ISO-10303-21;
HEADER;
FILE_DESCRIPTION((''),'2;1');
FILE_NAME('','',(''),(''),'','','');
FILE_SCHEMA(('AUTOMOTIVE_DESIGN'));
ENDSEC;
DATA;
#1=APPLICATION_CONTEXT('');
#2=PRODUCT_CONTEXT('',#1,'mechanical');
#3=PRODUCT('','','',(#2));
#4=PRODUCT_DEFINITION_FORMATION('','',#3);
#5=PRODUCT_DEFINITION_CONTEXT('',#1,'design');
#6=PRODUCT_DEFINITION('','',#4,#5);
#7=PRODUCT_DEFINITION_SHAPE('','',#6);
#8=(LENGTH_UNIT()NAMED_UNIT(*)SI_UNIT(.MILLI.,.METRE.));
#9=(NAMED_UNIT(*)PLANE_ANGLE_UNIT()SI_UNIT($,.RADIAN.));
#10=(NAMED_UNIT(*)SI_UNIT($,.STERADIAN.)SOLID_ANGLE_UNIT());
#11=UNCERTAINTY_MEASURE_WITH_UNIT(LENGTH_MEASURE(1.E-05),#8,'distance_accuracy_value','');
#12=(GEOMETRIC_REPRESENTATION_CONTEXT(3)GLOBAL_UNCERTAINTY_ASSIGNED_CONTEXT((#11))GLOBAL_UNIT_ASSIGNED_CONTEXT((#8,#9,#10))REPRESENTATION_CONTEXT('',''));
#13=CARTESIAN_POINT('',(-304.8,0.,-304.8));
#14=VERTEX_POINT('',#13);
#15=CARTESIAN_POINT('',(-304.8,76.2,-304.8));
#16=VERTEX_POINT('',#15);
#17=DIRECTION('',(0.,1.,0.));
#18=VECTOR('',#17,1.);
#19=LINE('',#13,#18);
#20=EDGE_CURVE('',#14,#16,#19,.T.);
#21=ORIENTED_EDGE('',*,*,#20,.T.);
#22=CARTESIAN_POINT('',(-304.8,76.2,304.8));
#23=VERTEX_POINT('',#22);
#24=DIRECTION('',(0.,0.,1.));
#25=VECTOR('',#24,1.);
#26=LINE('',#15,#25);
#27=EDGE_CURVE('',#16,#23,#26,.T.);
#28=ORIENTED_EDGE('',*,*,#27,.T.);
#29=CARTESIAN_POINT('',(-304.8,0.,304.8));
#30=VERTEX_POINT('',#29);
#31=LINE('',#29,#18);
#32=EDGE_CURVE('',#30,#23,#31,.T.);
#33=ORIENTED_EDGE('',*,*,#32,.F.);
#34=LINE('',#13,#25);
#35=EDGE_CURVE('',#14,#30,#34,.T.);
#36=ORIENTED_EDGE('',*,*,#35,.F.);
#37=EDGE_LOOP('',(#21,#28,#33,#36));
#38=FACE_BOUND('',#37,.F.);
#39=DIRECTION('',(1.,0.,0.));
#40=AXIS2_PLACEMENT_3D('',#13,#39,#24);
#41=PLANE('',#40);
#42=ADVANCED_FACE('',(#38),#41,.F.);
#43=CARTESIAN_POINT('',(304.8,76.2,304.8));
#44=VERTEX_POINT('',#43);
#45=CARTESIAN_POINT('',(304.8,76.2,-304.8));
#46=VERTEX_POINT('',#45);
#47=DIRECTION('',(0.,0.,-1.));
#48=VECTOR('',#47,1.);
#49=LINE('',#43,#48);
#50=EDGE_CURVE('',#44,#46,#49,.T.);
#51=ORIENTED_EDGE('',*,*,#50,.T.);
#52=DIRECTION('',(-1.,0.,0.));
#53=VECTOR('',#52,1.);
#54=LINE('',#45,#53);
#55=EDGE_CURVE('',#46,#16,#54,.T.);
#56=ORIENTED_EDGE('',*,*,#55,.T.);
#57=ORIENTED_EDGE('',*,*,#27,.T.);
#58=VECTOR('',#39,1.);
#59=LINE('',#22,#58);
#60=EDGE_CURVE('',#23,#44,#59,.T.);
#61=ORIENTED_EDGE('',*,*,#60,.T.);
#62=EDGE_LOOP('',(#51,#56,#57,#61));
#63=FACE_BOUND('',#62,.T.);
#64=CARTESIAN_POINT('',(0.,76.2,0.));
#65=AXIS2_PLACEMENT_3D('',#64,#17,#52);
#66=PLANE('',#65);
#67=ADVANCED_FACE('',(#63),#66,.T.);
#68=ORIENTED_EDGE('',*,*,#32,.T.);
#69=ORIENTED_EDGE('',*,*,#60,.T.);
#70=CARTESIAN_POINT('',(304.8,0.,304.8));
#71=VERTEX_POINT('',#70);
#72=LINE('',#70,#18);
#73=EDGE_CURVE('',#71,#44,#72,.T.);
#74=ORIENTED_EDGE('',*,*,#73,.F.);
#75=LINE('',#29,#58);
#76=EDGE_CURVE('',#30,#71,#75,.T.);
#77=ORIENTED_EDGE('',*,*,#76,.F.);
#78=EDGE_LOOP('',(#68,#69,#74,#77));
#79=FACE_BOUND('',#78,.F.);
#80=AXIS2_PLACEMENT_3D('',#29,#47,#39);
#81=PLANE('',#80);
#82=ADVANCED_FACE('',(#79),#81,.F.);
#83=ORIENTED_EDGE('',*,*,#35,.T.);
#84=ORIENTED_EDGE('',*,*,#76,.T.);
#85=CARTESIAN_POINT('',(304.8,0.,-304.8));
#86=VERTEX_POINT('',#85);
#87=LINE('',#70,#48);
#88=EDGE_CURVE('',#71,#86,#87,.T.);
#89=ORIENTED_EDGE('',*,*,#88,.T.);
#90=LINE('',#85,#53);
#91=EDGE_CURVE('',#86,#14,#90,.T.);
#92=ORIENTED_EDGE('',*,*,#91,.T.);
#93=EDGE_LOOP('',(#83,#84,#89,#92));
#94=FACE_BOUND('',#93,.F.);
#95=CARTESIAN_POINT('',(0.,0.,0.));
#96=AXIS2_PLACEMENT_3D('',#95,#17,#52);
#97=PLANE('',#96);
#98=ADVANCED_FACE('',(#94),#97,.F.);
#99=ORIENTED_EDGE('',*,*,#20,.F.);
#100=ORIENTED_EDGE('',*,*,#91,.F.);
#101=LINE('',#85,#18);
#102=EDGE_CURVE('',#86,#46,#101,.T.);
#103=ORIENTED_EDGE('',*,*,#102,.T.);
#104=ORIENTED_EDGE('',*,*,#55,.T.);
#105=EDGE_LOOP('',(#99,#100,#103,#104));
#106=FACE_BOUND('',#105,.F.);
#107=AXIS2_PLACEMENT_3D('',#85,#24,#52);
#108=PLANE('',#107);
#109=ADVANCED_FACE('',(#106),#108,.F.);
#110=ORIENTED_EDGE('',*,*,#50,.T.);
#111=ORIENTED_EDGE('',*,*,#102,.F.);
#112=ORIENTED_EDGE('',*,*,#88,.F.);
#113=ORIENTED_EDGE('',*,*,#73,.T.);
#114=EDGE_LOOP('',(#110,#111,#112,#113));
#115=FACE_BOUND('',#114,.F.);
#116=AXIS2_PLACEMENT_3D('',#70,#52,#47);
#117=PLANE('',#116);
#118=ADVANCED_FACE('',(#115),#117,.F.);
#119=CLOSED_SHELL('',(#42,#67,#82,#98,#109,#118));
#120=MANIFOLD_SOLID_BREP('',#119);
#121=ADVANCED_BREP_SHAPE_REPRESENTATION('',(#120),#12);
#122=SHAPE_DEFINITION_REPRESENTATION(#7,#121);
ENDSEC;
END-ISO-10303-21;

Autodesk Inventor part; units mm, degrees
ref_plane "YZ Plane" through (0, 0, 0) normal (1, 0, 0) x (0, 1, 0)
ref_plane "XZ Plane" through (0, 0, 0) normal (0, 1, 0) x (-1, 0, 0)
ref_plane "XY Plane" through (0, 0, 0) normal (0, 0, 1) x (1, 0, 0)
sketch "Sketch1" plane through (0, 0, 0) normal (0, 1, 0) x (-1, 0, 0)
  line L0 (304.8, 304.8) -> (-304.8, 304.8)
  line L1 (-304.8, 304.8) -> (-304.8, -304.8)
  line L2 (-304.8, -304.8) -> (304.8, -304.8)
  line L3 (304.8, -304.8) -> (304.8, 304.8)
  line L4 (304.8, 304.8) -> (-304.8, -304.8) construction
  line L5 (-304.8, 304.8) -> (304.8, -304.8) construction
  point P0 (0, 0)
  dimension "d0" = 609.6
  dimension "d1" = 609.6
extrude "Extrusion1" add sketch "Sketch1" along normal blind 76.2
properties part number "tabletop"
